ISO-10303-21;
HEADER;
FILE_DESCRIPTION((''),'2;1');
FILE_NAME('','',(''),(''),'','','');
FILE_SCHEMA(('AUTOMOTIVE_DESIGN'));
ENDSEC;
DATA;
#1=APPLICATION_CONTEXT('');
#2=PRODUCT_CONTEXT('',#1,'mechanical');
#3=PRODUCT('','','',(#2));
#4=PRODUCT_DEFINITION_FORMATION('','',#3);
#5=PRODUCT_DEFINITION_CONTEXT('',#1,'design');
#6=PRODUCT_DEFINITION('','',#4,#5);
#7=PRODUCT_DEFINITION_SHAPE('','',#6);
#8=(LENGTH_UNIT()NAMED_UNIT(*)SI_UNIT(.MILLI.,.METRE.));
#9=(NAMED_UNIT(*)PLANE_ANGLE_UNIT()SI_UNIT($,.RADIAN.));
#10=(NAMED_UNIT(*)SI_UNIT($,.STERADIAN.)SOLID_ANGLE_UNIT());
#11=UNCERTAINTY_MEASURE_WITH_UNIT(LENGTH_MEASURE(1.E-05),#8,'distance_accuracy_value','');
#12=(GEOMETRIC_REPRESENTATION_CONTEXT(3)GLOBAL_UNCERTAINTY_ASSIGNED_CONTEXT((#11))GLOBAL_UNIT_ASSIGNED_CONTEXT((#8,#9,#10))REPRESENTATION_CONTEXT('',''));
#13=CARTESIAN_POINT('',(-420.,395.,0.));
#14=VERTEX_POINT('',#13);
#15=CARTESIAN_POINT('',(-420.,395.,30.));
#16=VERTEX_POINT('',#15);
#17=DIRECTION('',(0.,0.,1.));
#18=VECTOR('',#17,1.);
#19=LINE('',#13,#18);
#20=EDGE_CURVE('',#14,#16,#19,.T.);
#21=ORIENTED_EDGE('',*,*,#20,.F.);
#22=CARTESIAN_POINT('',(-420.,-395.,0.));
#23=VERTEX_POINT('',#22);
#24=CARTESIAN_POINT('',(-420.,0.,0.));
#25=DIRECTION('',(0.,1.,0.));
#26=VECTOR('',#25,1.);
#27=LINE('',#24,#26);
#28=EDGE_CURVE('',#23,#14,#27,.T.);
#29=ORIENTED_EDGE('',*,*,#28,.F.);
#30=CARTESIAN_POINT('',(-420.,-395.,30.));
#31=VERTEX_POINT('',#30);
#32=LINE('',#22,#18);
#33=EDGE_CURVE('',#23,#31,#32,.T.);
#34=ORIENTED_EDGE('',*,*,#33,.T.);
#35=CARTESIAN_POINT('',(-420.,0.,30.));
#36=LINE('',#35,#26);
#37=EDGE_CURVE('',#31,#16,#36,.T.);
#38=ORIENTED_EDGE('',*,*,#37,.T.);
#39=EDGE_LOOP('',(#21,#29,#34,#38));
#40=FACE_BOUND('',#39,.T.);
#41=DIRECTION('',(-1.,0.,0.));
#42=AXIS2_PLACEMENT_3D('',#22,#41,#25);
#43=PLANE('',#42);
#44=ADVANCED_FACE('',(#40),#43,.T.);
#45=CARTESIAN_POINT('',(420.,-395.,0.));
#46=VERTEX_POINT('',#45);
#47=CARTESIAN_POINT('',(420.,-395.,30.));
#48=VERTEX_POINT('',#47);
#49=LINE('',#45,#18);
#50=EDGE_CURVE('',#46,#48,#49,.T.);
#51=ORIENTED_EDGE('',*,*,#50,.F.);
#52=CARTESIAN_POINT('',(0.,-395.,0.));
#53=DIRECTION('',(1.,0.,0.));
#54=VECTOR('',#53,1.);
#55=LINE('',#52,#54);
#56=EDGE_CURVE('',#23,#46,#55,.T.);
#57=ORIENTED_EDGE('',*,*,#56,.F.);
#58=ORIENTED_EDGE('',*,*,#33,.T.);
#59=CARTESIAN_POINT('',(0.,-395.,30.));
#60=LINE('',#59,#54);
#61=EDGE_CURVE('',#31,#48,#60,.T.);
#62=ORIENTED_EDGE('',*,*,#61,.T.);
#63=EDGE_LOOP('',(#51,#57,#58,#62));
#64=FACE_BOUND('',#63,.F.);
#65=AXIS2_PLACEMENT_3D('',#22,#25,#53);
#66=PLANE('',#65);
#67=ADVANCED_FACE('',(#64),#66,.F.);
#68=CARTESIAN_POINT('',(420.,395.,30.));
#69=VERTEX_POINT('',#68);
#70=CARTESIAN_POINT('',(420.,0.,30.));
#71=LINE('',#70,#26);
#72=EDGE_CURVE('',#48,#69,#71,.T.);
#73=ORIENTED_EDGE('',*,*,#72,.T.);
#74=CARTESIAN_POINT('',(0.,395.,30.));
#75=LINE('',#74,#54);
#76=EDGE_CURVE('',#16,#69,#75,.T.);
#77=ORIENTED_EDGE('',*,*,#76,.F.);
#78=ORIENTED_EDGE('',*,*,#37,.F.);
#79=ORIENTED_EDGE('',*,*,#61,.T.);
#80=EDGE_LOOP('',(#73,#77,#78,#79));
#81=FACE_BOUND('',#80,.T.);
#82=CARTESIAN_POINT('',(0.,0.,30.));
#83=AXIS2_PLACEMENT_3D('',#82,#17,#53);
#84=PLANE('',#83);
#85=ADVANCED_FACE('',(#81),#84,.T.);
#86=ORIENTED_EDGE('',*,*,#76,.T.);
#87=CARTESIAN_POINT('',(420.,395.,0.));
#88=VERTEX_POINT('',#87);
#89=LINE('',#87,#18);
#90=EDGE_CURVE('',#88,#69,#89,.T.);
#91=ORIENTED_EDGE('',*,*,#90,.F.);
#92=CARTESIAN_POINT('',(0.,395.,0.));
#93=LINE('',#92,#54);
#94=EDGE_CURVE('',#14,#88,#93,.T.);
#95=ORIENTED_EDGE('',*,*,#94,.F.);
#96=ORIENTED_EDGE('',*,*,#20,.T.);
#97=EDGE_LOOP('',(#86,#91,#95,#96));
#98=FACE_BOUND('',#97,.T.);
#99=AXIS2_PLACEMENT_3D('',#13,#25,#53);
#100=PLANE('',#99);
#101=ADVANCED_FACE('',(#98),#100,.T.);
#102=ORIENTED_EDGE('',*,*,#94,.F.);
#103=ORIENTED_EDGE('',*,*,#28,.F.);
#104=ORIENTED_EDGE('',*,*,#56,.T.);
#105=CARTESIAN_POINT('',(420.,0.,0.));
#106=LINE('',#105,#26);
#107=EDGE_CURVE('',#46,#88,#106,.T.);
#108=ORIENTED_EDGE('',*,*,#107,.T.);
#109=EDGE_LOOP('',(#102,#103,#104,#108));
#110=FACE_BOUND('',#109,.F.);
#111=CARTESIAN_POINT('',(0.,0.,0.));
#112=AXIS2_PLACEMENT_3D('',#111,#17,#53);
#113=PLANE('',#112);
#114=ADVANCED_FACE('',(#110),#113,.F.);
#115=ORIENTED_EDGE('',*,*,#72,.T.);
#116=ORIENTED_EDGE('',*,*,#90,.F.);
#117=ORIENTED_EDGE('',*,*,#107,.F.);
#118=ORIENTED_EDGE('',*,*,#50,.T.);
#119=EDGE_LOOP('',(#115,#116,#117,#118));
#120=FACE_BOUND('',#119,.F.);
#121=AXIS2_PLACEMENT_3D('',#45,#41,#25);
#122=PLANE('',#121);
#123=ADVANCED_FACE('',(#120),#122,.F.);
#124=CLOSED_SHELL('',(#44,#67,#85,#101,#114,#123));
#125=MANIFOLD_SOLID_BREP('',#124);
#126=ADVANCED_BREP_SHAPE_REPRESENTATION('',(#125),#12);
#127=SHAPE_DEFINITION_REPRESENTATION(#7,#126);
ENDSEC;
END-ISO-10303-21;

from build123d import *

# Parameters (mm, degrees)
SKETCH_W  = 840
SKETCH_H  = 790
PAD_DEPTH = 30


with BuildPart() as part:
    # Sketch → Pad (new body)
    with BuildSketch(Plane.XY):
        Rectangle(SKETCH_W, SKETCH_H)
    extrude(amount=PAD_DEPTH)


solid = part.part
